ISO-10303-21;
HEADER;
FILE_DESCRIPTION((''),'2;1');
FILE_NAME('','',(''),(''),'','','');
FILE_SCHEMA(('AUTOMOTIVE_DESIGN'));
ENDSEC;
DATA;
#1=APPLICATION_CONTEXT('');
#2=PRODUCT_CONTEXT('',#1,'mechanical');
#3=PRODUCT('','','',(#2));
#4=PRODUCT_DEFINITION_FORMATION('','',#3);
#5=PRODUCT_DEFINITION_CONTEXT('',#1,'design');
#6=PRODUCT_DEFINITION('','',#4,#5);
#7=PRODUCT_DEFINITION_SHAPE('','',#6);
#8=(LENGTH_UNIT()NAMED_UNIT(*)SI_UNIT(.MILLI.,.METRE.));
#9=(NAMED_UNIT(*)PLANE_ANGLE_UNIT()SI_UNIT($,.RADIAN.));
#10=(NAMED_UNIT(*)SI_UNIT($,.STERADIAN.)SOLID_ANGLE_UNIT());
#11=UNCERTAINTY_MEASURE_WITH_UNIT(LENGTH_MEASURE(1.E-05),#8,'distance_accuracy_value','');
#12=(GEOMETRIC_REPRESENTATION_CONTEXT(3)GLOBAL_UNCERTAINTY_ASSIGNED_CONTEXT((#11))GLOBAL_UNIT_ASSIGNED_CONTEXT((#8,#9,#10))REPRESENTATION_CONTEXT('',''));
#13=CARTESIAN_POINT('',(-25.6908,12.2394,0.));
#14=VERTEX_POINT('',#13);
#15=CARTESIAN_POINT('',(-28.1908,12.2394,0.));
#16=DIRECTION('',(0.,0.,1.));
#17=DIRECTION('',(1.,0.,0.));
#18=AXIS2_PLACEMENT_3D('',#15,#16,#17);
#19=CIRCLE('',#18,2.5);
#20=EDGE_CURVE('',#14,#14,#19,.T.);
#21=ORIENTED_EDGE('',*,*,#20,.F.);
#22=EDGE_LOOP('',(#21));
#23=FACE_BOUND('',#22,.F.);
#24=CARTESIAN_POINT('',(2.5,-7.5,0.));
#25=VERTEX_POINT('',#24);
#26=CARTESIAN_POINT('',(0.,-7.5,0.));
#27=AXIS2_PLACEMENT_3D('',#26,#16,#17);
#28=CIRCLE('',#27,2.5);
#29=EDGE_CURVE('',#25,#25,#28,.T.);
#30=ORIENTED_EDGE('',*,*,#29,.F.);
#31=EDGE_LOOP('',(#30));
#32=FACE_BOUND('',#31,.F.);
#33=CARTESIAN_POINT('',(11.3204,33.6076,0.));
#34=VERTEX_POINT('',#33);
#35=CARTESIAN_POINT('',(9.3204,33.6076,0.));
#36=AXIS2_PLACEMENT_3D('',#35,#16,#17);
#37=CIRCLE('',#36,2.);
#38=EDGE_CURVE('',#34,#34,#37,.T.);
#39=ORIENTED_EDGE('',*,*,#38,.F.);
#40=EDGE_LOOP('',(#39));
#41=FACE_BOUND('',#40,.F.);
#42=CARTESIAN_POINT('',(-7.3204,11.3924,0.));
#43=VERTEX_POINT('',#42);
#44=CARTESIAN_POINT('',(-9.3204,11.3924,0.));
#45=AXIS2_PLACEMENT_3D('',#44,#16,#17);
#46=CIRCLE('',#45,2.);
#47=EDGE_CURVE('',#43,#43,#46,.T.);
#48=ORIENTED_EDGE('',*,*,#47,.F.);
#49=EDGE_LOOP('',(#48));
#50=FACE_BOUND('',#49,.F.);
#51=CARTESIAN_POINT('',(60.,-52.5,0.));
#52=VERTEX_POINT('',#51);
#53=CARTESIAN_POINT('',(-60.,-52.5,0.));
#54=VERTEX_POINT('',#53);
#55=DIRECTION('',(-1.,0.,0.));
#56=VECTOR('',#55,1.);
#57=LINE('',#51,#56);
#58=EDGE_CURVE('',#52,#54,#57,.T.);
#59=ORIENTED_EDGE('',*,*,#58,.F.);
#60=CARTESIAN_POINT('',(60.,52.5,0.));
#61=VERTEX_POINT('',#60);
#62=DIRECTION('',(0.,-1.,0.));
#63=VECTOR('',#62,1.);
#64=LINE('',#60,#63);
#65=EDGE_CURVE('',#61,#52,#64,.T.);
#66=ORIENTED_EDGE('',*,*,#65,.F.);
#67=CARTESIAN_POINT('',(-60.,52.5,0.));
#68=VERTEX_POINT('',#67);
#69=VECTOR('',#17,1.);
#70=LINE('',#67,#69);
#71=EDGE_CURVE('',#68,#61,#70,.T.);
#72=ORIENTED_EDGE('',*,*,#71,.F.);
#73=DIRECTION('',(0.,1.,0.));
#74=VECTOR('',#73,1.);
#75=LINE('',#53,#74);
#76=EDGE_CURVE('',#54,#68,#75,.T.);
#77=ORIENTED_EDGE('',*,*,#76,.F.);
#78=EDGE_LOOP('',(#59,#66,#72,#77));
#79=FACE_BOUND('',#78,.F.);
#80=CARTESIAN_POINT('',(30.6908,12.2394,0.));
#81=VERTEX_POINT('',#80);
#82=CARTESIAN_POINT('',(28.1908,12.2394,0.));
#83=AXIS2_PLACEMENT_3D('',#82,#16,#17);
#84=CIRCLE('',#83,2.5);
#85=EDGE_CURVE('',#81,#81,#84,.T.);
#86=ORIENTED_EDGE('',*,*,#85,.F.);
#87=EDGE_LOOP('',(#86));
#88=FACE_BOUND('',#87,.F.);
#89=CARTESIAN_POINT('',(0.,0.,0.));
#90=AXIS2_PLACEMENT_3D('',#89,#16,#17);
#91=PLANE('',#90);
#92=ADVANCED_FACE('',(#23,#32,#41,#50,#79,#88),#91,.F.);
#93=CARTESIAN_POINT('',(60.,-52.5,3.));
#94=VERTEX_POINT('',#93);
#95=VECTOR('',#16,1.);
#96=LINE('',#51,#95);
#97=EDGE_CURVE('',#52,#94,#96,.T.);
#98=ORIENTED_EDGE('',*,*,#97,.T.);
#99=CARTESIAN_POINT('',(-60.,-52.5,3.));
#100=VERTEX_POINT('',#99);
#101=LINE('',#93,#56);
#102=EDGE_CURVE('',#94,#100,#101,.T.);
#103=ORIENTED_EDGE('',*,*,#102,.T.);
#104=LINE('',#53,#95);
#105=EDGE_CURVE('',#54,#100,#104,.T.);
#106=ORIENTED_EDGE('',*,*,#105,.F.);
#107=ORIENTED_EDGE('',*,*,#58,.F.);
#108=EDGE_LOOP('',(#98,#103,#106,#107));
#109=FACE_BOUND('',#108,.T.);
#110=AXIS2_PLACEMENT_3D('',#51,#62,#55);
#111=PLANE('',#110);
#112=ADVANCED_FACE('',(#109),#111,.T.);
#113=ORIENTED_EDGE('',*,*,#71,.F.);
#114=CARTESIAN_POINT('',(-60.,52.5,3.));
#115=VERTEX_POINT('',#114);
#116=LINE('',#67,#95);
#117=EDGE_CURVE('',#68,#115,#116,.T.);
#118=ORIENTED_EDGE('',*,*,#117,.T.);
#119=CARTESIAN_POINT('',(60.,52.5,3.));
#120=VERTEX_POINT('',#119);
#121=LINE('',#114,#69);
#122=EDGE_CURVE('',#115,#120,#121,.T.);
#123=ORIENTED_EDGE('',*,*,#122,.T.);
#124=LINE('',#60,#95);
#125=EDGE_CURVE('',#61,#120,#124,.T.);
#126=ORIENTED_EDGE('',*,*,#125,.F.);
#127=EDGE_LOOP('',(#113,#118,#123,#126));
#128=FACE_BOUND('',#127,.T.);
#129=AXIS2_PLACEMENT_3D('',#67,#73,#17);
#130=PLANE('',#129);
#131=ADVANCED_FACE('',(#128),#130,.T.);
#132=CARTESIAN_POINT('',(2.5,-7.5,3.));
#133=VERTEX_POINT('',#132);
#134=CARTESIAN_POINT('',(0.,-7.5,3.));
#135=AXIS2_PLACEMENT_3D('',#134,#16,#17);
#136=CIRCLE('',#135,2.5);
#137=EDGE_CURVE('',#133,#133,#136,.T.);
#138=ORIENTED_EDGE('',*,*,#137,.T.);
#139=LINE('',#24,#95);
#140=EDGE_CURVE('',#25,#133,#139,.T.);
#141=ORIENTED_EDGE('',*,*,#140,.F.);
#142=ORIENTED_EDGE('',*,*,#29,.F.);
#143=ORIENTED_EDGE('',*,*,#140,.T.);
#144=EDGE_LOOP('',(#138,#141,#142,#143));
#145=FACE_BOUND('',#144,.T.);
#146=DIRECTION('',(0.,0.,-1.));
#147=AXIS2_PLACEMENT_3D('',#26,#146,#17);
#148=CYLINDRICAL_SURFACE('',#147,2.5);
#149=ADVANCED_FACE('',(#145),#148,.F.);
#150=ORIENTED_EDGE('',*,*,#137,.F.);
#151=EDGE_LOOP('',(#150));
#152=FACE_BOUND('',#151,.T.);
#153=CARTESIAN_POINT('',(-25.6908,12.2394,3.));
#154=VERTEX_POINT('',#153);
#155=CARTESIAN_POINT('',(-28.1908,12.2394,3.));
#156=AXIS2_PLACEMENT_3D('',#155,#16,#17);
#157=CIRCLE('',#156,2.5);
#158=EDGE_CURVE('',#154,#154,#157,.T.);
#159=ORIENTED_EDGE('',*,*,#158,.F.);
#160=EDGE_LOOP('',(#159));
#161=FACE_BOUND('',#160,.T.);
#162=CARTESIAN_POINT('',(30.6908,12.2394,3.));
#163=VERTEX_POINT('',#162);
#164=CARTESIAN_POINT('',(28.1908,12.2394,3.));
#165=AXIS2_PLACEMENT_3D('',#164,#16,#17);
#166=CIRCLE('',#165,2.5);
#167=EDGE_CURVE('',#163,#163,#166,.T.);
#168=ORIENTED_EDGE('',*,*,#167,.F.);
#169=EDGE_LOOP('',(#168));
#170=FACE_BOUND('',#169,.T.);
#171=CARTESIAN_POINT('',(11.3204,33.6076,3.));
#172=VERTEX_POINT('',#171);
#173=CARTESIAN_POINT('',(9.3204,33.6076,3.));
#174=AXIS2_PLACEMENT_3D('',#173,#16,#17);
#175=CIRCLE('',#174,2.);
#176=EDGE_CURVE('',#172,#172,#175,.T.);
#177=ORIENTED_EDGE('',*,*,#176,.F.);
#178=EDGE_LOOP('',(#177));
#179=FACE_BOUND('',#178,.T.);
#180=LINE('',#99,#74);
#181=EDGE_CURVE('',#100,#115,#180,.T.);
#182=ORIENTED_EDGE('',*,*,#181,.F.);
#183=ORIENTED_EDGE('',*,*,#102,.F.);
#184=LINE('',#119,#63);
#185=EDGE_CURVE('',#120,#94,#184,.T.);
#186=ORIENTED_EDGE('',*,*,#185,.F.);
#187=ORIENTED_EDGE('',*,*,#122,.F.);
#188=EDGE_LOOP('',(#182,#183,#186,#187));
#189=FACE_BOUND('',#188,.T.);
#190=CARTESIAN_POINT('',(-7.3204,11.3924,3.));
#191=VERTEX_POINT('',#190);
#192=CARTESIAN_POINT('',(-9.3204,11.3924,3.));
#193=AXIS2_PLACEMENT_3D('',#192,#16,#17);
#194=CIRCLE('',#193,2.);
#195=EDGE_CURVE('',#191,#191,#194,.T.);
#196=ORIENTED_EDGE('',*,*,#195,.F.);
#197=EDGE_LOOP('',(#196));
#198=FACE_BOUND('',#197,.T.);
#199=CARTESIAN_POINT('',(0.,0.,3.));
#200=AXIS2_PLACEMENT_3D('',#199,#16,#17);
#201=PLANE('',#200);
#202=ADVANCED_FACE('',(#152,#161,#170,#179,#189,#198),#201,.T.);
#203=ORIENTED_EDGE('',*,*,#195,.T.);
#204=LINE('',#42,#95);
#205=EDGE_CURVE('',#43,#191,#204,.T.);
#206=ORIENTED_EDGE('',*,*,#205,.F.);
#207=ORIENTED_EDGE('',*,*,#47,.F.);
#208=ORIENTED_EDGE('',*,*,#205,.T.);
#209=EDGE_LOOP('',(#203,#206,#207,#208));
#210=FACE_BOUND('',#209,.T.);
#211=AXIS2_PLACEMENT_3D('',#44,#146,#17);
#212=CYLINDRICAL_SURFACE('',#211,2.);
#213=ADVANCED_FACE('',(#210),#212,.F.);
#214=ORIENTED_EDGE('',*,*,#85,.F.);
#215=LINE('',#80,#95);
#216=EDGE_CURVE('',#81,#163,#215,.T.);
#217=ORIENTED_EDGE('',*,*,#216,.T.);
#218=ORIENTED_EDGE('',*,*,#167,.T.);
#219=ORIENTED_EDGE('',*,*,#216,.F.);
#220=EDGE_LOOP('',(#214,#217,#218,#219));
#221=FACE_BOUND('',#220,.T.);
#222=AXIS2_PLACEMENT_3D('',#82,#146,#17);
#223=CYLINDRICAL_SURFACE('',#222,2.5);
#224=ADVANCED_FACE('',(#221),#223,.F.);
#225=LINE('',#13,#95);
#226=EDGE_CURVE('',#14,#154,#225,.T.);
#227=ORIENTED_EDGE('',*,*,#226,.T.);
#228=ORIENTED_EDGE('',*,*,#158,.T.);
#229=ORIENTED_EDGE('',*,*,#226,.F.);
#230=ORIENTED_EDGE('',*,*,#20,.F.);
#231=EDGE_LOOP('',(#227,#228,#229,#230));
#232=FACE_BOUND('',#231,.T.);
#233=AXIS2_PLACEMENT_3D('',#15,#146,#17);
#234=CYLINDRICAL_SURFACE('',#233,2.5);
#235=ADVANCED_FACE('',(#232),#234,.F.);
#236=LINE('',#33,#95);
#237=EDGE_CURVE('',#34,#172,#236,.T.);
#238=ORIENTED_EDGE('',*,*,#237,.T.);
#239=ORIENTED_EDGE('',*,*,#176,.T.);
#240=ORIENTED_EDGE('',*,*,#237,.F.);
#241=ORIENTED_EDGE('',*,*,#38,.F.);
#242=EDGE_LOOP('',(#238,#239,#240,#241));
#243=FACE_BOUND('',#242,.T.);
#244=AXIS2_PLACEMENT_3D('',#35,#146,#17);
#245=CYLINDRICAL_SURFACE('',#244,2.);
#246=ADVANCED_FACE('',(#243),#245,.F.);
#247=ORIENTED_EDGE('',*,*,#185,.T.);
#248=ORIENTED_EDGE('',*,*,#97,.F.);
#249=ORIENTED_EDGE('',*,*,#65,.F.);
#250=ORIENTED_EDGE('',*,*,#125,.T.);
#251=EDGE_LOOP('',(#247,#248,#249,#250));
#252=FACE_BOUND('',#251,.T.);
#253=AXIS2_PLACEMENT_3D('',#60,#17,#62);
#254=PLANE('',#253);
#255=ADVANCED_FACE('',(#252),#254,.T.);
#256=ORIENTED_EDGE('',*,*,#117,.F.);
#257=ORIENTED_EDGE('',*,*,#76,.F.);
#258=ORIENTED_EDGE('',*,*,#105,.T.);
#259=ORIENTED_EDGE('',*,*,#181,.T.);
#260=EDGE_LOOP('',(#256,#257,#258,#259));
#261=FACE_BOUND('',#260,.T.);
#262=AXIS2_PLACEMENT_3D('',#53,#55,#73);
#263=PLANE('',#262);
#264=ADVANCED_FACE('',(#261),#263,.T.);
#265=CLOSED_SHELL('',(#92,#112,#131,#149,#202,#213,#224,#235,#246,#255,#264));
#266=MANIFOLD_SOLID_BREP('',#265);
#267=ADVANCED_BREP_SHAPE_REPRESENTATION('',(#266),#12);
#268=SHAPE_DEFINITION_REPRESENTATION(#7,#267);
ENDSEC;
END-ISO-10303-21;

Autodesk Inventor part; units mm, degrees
ref_plane "YZ Plane" through (0, 0, 0) normal (1, 0, 0) x (0, 1, 0)
ref_plane "XZ Plane" through (0, 0, 0) normal (0, 1, 0) x (-1, 0, 0)
ref_plane "XY Plane" through (0, 0, 0) normal (0, 0, 1) x (1, 0, 0)
sketch "スケッチ1" plane through (0, 0, 0) normal (0, 0, 1) x (1, 0, 0)
  line L0 (-60, 52.5) -> (60, 52.5)
  line L1 (60, 52.5) -> (60, -52.5)
  line L2 (60, -52.5) -> (-60, -52.5)
  line L3 (-60, -52.5) -> (-60, 52.5)
  line L4 (-60, 52.5) -> (60, -52.5) construction
  line L5 (60, 52.5) -> (-60, -52.5) construction
  line L6 (-105.2334, 22.5) -> (96.2645, 22.5) construction
  circle A0 centre (0, -7.5) radius 2.5
  line L7 (0, 22.5) -> (28.1908, 12.2394) construction
  line L8 (0, 22.5) -> (-28.1908, 12.2394) construction
  line L9 (-9.3204, 11.3924) -> (0, 22.5) construction
  line L10 (9.3204, 33.6076) -> (0, 22.5) construction
  line L11 (0, 85.1475) -> (0, -17.897) construction
  circle A1 centre (-9.3204, 11.3924) radius 2
  circle A2 centre (9.3204, 33.6076) radius 2
  circle A3 centre (28.1908, 12.2394) radius 2.5
  circle A4 centre (-28.1908, 12.2394) radius 2.5
  point P0 (0, 0)
  dimension "d1" = 105
  dimension "d2" = 30
  dimension "d3" = 5
  dimension "d4" = 30
  dimension "d5" = 20
  dimension "d6" = 20
  dimension "d7" = 40
  dimension "d12" = 30
  dimension "d13" = 30
  dimension "d14" = 14.5
  dimension "d15" = 14.5
  dimension "d16" = 4
  dimension "d17" = 4
  dimension "d18" = 5
  dimension "d19" = 5
extrude "押し出し1" add sketch "スケッチ1" along normal blind 3
properties part number "板"
